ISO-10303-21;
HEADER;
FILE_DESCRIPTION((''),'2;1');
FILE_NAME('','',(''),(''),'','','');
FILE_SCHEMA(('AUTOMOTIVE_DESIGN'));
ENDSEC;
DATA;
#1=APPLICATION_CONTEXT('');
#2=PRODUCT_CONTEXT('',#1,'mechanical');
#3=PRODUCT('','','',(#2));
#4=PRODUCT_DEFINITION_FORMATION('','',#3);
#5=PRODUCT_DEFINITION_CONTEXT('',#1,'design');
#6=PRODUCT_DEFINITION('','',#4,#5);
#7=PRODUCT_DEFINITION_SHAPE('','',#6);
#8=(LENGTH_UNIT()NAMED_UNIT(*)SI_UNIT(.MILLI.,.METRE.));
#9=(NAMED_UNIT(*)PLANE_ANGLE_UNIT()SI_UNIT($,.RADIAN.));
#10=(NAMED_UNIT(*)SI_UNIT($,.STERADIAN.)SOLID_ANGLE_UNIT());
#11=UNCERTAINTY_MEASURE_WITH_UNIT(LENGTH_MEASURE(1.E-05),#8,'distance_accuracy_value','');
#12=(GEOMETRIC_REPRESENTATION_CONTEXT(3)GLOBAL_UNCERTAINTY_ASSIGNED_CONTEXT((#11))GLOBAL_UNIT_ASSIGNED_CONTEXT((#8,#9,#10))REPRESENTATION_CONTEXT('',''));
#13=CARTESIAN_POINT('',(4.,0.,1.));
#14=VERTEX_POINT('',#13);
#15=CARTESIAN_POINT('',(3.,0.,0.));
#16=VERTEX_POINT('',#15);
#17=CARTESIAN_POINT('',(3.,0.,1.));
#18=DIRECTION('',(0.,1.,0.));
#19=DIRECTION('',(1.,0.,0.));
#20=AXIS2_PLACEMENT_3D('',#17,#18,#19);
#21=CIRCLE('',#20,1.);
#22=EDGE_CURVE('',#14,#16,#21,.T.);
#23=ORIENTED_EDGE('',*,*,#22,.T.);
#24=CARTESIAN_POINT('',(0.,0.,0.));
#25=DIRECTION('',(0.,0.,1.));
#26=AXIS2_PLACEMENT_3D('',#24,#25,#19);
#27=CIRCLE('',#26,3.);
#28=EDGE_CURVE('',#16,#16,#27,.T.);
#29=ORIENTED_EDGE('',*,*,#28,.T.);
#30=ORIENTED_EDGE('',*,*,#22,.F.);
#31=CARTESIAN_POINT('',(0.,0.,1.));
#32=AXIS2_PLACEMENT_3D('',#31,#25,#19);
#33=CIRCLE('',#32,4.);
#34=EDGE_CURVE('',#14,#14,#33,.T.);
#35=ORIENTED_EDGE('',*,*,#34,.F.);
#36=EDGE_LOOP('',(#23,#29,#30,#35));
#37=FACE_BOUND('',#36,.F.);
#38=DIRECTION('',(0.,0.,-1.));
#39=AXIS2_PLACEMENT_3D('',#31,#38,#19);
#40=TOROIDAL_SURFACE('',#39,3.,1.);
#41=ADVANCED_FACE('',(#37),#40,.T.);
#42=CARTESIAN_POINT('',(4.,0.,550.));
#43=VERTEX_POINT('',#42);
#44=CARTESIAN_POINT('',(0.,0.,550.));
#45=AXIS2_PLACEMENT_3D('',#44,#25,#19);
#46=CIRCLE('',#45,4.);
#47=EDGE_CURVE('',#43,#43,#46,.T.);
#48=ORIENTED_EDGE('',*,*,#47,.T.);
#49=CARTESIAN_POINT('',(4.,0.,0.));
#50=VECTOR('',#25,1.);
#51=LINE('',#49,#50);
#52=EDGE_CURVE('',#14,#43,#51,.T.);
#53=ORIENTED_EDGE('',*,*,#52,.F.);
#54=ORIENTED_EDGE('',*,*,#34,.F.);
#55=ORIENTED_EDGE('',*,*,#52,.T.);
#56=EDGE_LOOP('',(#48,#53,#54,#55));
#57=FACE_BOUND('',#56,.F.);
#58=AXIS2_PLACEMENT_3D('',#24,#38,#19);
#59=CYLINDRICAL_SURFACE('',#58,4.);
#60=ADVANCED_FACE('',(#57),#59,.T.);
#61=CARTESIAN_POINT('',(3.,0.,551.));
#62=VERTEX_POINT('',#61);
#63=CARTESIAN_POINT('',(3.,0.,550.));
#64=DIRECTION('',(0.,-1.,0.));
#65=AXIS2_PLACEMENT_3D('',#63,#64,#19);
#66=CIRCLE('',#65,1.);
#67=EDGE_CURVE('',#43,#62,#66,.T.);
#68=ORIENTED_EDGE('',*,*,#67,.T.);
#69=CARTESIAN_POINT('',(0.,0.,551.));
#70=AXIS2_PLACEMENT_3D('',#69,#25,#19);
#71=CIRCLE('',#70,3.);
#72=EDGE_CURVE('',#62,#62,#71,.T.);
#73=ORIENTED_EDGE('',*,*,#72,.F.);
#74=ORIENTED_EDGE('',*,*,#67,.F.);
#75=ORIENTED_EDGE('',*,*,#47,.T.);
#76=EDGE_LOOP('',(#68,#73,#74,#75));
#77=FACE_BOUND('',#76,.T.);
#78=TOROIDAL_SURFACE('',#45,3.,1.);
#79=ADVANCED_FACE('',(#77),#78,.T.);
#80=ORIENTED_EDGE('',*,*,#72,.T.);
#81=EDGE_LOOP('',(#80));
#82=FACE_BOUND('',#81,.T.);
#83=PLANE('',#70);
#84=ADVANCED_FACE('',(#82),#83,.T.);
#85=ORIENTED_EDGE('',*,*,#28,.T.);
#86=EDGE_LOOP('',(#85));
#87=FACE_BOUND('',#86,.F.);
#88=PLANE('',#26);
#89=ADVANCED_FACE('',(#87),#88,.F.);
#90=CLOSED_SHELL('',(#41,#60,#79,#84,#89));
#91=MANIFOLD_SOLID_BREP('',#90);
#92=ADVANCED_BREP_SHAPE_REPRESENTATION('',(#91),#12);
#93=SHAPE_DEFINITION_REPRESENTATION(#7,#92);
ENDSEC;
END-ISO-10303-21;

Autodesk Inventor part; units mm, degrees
ref_plane "YZ Plane" through (0, 0, 0) normal (1, 0, 0) x (0, 1, 0)
ref_plane "XZ Plane" through (0, 0, 0) normal (0, 1, 0) x (-1, 0, 0)
ref_plane "XY Plane" through (0, 0, 0) normal (0, 0, 1) x (1, 0, 0)
sketch "Sketch1" plane through (0, 0, 0) normal (0, 0, 1) x (1, 0, 0)
  circle A0 centre (0, 0) radius 4
  dimension "d0" = 8
extrude "Extrusion1" add sketch "Sketch1" along normal blind 551
fillet "Fillet1" radius 1 2 edges at (-4, 0, 551) (-4, 0, 0)
properties part number "x_axis_rod" material "Stainless Steel, Austenitic"
